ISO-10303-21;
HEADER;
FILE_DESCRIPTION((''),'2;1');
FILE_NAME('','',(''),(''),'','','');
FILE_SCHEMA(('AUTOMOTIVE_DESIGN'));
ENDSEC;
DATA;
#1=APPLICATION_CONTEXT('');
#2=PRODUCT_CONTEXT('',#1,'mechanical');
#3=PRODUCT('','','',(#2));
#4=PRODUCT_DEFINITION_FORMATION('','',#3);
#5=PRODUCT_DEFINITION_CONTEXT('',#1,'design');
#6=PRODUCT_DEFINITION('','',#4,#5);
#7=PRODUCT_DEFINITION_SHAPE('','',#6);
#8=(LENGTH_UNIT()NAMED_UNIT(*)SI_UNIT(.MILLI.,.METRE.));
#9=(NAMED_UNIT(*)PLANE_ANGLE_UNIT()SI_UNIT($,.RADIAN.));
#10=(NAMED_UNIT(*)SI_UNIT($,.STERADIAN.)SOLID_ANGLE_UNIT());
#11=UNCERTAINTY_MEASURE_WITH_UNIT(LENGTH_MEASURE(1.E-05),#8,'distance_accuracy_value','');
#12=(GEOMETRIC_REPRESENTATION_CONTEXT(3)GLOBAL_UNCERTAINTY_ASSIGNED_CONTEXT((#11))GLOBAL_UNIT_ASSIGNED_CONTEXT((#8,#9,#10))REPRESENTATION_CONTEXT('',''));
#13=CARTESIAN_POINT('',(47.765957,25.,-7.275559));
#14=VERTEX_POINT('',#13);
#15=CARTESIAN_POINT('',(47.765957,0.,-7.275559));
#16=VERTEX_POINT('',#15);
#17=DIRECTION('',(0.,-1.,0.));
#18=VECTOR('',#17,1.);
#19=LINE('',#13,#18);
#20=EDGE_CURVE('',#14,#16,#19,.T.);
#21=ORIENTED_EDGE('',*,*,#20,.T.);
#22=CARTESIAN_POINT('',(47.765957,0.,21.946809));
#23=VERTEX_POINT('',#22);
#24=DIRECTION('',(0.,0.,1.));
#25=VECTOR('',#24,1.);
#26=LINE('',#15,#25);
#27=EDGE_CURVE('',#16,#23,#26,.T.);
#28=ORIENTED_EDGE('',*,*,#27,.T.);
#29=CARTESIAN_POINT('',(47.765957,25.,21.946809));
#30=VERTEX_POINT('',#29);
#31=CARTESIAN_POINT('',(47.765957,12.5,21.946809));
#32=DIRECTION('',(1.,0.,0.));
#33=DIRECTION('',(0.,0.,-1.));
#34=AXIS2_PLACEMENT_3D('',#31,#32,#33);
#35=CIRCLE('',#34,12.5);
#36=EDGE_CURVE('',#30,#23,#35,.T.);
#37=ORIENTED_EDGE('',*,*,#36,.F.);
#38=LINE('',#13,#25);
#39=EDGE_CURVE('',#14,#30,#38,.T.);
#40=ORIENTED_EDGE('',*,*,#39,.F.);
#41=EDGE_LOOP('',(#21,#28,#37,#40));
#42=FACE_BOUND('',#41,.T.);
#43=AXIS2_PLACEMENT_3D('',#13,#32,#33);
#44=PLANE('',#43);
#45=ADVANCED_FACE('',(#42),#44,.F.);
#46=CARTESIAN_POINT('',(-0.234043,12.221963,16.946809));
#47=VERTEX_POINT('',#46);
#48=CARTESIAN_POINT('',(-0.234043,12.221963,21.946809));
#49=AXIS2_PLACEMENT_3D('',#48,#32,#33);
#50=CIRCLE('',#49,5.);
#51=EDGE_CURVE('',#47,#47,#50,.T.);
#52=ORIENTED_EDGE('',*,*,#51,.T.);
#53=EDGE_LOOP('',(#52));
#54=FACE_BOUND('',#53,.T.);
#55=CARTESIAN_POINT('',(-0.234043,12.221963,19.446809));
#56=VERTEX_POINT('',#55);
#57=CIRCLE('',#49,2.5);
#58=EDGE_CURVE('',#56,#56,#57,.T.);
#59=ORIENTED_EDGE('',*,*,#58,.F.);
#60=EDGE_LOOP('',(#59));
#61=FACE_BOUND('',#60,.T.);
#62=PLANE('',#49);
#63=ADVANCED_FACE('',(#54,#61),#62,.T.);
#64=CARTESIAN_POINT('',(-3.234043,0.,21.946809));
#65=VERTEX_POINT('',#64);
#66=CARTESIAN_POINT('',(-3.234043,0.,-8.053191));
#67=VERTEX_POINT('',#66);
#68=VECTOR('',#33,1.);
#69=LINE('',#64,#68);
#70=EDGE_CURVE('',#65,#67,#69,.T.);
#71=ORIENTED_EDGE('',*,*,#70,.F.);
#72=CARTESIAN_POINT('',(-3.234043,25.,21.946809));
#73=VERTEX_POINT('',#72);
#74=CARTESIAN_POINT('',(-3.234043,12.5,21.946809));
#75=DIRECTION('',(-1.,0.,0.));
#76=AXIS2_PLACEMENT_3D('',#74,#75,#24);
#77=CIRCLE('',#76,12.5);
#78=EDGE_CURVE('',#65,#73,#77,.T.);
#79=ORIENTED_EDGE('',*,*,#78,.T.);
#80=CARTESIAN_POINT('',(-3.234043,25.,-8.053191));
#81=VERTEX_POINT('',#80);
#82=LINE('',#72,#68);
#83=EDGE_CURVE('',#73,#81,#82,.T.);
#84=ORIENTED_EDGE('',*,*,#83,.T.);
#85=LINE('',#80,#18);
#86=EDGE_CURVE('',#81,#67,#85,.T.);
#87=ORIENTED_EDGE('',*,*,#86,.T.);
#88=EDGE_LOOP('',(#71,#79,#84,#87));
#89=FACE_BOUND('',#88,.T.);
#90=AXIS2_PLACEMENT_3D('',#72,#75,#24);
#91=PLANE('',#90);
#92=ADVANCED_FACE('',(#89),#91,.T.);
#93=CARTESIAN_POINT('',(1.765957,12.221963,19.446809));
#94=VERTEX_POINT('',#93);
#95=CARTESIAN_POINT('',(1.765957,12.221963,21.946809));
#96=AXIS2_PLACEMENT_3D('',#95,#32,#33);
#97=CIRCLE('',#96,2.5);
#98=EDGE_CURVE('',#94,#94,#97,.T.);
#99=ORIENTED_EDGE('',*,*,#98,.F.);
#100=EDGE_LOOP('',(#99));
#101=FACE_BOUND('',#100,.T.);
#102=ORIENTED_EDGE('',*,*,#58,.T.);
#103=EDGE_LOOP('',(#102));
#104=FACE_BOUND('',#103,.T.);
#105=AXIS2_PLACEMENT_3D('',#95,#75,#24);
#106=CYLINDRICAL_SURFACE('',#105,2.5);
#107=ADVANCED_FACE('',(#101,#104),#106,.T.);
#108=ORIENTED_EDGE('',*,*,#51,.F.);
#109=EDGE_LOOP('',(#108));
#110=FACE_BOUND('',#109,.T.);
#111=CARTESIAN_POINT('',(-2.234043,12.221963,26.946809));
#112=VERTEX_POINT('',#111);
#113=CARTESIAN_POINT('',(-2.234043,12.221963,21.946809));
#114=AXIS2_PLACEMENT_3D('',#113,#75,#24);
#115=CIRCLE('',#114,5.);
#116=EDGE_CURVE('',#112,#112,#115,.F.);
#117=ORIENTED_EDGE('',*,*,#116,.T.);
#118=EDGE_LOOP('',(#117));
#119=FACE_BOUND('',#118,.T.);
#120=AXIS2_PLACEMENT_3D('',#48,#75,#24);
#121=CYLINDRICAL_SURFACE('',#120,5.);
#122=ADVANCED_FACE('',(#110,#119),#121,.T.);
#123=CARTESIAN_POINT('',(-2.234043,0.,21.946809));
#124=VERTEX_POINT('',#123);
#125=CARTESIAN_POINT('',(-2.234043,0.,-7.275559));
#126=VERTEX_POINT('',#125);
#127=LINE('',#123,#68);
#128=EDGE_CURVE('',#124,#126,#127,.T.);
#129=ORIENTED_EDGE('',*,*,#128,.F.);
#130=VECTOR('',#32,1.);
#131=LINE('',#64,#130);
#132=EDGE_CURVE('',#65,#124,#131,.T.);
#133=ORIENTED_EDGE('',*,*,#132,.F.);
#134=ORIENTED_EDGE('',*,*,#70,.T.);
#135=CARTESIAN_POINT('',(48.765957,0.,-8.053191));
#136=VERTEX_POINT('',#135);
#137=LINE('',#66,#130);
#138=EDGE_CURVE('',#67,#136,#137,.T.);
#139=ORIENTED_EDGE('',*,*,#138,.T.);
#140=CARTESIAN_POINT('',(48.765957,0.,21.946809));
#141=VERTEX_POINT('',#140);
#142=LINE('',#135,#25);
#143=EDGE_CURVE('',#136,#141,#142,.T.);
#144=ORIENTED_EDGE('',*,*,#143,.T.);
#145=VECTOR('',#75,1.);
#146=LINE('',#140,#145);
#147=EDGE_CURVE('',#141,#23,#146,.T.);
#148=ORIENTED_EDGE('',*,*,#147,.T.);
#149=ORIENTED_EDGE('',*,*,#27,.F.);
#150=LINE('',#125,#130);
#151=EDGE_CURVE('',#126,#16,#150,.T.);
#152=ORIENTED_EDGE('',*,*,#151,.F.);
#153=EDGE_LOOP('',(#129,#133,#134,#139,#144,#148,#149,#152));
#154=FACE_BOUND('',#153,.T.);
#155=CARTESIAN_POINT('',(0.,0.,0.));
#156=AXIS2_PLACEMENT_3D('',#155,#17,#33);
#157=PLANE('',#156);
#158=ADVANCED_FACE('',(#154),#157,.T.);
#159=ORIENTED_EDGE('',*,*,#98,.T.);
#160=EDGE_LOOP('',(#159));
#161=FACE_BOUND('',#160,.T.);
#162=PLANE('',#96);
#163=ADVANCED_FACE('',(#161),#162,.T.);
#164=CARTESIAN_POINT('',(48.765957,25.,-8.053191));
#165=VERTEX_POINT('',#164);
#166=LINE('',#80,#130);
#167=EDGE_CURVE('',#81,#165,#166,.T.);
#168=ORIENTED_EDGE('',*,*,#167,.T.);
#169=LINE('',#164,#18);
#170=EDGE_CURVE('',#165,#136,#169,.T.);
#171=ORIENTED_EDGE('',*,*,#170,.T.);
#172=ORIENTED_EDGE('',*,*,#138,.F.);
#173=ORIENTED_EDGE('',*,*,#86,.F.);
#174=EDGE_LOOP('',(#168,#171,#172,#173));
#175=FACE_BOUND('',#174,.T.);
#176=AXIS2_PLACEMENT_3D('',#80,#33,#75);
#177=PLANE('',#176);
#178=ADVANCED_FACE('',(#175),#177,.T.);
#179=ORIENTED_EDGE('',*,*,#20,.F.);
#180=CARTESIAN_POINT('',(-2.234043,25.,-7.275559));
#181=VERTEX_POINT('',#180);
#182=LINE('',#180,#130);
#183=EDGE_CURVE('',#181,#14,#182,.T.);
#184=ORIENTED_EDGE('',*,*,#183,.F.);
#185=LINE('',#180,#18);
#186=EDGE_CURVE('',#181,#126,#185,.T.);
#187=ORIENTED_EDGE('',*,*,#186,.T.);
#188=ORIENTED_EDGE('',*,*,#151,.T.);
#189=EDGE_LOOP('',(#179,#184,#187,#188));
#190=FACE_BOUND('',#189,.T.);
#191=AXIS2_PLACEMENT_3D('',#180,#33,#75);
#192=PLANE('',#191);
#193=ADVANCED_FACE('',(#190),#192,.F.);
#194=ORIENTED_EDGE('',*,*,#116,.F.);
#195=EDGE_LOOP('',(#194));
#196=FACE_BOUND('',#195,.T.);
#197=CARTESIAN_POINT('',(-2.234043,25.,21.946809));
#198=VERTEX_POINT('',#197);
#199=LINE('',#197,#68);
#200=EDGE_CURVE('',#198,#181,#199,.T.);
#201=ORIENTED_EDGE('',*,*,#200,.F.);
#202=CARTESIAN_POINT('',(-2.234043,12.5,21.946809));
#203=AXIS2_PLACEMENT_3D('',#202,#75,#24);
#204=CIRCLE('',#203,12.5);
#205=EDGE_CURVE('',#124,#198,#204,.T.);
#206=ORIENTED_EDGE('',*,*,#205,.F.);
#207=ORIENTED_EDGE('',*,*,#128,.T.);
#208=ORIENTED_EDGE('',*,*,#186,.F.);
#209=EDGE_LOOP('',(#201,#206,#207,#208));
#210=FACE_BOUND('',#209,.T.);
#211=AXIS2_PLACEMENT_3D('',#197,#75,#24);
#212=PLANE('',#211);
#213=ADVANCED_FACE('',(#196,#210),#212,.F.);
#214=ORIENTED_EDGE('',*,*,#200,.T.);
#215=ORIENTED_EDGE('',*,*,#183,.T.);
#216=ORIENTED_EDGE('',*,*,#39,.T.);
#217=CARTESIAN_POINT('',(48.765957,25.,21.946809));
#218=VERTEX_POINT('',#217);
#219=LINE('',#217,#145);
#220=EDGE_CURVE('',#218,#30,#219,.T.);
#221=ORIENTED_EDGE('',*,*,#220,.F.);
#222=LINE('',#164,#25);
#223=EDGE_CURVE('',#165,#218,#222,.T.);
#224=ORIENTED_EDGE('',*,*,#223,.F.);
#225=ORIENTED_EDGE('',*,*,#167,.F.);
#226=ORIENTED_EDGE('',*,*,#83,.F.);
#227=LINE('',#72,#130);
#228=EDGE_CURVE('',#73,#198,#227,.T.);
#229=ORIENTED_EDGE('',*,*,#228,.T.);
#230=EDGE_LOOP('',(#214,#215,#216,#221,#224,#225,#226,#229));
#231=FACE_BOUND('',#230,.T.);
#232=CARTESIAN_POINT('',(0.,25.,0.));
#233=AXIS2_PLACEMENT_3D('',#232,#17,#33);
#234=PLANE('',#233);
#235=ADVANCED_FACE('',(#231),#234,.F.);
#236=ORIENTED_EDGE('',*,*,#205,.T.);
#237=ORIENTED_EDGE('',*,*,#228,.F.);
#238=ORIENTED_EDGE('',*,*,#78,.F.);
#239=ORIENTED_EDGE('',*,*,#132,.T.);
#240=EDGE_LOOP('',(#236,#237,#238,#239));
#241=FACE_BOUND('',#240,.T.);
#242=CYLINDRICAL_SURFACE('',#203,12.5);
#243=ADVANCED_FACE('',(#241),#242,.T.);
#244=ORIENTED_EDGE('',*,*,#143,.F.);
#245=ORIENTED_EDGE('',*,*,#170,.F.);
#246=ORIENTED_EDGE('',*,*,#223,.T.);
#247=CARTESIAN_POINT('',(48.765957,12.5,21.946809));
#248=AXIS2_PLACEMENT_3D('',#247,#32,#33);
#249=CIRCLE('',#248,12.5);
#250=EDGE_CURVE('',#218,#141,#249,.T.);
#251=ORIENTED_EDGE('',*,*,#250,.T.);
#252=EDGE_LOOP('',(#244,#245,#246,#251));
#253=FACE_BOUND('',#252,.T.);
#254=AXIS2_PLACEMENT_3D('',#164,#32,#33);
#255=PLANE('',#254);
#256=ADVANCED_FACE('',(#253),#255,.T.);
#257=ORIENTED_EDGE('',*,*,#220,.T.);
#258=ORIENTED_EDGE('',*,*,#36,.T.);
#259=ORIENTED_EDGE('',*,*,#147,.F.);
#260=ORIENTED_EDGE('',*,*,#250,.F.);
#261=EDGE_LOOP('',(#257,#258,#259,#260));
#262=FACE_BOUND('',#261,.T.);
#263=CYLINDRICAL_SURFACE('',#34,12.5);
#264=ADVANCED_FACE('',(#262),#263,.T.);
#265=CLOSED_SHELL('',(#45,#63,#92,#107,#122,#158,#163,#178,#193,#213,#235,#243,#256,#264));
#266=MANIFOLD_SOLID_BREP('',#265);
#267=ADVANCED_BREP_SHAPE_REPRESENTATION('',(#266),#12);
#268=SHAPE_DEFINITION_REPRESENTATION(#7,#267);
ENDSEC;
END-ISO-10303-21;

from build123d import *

# Parameters (mm, degrees)
BOSS_EXTRU_1_DEPTH = 25
BOSS_EXTRU_2_DEPTH = 1
BOSS_EXTRU_3_START = -1
BOSS_EXTRU_3_DEPTH = 1
ESQUISSE6_R        = 5
BOSS_EXTRU_4_DEPTH = 2
ESQUISSE7_R        = 2.5
BOSS_EXTRU_5_DEPTH = 2


with BuildPart() as part:
    # Esquisse1 → Boss.-Extru.1 (new body)
    with BuildSketch(Plane(origin=(0, 0, 0), x_dir=(1, 0, 0), z_dir=(0, 1, 0))):
        Polygon((-3.234042553, -21.946808511), (-2.234042553, -21.946808511), (-2.234042553, 7.275558935), (47.765957447, 7.275558935), (47.765957447, -21.946808511), (48.765957447, -21.946808511), (48.765957447, 8.053191489), (-3.234042553, 8.053191489), align=None)
    extrude(amount=BOSS_EXTRU_1_DEPTH)

    # Esquisse3 → Boss.-Extru.2 (add)
    with BuildSketch(Plane.ZY.offset(3.234042553)):
        with BuildLine():
            Line((21.946808511, 25), (21.946808511, 0))
            ThreePointArc((21.946808511, 0), (34.446808511, 12.5), (21.946808511, 25))
        make_face()
    extrude(amount=-BOSS_EXTRU_2_DEPTH)

    # Esquisse4 → Boss.-Extru.3 (add)
    with BuildSketch(Plane(origin=(48.765957447, 0, 0), x_dir=(0, 0, -1), z_dir=(1, 0, 0)).offset(BOSS_EXTRU_3_START)):
        with BuildLine():
            Line((-21.946808511, 25), (-21.946808511, 0))
            ThreePointArc((-21.946808511, 0), (-34.446808511, 12.5), (-21.946808511, 25))
        make_face()
    extrude(amount=BOSS_EXTRU_3_DEPTH)

    # Esquisse6 → Boss.-Extru.4 (add)
    with BuildSketch(Plane(origin=(-2.234042553, 0, 0), x_dir=(0, 0, -1), z_dir=(1, 0, 0))):
        with Locations(Location((-21.946808511, 12.22196254, 0), (0, 0, 180))):
            Circle(ESQUISSE6_R)
    extrude(amount=BOSS_EXTRU_4_DEPTH)

    # Esquisse7 → Boss.-Extru.5 (add)
    with BuildSketch(Plane(origin=(-0.234042553, 0, 0), x_dir=(0, 0, -1), z_dir=(1, 0, 0))):
        with Locations((-21.946808511, 12.22196254)):
            Circle(ESQUISSE7_R)
    extrude(amount=BOSS_EXTRU_5_DEPTH)


solid = part.part
